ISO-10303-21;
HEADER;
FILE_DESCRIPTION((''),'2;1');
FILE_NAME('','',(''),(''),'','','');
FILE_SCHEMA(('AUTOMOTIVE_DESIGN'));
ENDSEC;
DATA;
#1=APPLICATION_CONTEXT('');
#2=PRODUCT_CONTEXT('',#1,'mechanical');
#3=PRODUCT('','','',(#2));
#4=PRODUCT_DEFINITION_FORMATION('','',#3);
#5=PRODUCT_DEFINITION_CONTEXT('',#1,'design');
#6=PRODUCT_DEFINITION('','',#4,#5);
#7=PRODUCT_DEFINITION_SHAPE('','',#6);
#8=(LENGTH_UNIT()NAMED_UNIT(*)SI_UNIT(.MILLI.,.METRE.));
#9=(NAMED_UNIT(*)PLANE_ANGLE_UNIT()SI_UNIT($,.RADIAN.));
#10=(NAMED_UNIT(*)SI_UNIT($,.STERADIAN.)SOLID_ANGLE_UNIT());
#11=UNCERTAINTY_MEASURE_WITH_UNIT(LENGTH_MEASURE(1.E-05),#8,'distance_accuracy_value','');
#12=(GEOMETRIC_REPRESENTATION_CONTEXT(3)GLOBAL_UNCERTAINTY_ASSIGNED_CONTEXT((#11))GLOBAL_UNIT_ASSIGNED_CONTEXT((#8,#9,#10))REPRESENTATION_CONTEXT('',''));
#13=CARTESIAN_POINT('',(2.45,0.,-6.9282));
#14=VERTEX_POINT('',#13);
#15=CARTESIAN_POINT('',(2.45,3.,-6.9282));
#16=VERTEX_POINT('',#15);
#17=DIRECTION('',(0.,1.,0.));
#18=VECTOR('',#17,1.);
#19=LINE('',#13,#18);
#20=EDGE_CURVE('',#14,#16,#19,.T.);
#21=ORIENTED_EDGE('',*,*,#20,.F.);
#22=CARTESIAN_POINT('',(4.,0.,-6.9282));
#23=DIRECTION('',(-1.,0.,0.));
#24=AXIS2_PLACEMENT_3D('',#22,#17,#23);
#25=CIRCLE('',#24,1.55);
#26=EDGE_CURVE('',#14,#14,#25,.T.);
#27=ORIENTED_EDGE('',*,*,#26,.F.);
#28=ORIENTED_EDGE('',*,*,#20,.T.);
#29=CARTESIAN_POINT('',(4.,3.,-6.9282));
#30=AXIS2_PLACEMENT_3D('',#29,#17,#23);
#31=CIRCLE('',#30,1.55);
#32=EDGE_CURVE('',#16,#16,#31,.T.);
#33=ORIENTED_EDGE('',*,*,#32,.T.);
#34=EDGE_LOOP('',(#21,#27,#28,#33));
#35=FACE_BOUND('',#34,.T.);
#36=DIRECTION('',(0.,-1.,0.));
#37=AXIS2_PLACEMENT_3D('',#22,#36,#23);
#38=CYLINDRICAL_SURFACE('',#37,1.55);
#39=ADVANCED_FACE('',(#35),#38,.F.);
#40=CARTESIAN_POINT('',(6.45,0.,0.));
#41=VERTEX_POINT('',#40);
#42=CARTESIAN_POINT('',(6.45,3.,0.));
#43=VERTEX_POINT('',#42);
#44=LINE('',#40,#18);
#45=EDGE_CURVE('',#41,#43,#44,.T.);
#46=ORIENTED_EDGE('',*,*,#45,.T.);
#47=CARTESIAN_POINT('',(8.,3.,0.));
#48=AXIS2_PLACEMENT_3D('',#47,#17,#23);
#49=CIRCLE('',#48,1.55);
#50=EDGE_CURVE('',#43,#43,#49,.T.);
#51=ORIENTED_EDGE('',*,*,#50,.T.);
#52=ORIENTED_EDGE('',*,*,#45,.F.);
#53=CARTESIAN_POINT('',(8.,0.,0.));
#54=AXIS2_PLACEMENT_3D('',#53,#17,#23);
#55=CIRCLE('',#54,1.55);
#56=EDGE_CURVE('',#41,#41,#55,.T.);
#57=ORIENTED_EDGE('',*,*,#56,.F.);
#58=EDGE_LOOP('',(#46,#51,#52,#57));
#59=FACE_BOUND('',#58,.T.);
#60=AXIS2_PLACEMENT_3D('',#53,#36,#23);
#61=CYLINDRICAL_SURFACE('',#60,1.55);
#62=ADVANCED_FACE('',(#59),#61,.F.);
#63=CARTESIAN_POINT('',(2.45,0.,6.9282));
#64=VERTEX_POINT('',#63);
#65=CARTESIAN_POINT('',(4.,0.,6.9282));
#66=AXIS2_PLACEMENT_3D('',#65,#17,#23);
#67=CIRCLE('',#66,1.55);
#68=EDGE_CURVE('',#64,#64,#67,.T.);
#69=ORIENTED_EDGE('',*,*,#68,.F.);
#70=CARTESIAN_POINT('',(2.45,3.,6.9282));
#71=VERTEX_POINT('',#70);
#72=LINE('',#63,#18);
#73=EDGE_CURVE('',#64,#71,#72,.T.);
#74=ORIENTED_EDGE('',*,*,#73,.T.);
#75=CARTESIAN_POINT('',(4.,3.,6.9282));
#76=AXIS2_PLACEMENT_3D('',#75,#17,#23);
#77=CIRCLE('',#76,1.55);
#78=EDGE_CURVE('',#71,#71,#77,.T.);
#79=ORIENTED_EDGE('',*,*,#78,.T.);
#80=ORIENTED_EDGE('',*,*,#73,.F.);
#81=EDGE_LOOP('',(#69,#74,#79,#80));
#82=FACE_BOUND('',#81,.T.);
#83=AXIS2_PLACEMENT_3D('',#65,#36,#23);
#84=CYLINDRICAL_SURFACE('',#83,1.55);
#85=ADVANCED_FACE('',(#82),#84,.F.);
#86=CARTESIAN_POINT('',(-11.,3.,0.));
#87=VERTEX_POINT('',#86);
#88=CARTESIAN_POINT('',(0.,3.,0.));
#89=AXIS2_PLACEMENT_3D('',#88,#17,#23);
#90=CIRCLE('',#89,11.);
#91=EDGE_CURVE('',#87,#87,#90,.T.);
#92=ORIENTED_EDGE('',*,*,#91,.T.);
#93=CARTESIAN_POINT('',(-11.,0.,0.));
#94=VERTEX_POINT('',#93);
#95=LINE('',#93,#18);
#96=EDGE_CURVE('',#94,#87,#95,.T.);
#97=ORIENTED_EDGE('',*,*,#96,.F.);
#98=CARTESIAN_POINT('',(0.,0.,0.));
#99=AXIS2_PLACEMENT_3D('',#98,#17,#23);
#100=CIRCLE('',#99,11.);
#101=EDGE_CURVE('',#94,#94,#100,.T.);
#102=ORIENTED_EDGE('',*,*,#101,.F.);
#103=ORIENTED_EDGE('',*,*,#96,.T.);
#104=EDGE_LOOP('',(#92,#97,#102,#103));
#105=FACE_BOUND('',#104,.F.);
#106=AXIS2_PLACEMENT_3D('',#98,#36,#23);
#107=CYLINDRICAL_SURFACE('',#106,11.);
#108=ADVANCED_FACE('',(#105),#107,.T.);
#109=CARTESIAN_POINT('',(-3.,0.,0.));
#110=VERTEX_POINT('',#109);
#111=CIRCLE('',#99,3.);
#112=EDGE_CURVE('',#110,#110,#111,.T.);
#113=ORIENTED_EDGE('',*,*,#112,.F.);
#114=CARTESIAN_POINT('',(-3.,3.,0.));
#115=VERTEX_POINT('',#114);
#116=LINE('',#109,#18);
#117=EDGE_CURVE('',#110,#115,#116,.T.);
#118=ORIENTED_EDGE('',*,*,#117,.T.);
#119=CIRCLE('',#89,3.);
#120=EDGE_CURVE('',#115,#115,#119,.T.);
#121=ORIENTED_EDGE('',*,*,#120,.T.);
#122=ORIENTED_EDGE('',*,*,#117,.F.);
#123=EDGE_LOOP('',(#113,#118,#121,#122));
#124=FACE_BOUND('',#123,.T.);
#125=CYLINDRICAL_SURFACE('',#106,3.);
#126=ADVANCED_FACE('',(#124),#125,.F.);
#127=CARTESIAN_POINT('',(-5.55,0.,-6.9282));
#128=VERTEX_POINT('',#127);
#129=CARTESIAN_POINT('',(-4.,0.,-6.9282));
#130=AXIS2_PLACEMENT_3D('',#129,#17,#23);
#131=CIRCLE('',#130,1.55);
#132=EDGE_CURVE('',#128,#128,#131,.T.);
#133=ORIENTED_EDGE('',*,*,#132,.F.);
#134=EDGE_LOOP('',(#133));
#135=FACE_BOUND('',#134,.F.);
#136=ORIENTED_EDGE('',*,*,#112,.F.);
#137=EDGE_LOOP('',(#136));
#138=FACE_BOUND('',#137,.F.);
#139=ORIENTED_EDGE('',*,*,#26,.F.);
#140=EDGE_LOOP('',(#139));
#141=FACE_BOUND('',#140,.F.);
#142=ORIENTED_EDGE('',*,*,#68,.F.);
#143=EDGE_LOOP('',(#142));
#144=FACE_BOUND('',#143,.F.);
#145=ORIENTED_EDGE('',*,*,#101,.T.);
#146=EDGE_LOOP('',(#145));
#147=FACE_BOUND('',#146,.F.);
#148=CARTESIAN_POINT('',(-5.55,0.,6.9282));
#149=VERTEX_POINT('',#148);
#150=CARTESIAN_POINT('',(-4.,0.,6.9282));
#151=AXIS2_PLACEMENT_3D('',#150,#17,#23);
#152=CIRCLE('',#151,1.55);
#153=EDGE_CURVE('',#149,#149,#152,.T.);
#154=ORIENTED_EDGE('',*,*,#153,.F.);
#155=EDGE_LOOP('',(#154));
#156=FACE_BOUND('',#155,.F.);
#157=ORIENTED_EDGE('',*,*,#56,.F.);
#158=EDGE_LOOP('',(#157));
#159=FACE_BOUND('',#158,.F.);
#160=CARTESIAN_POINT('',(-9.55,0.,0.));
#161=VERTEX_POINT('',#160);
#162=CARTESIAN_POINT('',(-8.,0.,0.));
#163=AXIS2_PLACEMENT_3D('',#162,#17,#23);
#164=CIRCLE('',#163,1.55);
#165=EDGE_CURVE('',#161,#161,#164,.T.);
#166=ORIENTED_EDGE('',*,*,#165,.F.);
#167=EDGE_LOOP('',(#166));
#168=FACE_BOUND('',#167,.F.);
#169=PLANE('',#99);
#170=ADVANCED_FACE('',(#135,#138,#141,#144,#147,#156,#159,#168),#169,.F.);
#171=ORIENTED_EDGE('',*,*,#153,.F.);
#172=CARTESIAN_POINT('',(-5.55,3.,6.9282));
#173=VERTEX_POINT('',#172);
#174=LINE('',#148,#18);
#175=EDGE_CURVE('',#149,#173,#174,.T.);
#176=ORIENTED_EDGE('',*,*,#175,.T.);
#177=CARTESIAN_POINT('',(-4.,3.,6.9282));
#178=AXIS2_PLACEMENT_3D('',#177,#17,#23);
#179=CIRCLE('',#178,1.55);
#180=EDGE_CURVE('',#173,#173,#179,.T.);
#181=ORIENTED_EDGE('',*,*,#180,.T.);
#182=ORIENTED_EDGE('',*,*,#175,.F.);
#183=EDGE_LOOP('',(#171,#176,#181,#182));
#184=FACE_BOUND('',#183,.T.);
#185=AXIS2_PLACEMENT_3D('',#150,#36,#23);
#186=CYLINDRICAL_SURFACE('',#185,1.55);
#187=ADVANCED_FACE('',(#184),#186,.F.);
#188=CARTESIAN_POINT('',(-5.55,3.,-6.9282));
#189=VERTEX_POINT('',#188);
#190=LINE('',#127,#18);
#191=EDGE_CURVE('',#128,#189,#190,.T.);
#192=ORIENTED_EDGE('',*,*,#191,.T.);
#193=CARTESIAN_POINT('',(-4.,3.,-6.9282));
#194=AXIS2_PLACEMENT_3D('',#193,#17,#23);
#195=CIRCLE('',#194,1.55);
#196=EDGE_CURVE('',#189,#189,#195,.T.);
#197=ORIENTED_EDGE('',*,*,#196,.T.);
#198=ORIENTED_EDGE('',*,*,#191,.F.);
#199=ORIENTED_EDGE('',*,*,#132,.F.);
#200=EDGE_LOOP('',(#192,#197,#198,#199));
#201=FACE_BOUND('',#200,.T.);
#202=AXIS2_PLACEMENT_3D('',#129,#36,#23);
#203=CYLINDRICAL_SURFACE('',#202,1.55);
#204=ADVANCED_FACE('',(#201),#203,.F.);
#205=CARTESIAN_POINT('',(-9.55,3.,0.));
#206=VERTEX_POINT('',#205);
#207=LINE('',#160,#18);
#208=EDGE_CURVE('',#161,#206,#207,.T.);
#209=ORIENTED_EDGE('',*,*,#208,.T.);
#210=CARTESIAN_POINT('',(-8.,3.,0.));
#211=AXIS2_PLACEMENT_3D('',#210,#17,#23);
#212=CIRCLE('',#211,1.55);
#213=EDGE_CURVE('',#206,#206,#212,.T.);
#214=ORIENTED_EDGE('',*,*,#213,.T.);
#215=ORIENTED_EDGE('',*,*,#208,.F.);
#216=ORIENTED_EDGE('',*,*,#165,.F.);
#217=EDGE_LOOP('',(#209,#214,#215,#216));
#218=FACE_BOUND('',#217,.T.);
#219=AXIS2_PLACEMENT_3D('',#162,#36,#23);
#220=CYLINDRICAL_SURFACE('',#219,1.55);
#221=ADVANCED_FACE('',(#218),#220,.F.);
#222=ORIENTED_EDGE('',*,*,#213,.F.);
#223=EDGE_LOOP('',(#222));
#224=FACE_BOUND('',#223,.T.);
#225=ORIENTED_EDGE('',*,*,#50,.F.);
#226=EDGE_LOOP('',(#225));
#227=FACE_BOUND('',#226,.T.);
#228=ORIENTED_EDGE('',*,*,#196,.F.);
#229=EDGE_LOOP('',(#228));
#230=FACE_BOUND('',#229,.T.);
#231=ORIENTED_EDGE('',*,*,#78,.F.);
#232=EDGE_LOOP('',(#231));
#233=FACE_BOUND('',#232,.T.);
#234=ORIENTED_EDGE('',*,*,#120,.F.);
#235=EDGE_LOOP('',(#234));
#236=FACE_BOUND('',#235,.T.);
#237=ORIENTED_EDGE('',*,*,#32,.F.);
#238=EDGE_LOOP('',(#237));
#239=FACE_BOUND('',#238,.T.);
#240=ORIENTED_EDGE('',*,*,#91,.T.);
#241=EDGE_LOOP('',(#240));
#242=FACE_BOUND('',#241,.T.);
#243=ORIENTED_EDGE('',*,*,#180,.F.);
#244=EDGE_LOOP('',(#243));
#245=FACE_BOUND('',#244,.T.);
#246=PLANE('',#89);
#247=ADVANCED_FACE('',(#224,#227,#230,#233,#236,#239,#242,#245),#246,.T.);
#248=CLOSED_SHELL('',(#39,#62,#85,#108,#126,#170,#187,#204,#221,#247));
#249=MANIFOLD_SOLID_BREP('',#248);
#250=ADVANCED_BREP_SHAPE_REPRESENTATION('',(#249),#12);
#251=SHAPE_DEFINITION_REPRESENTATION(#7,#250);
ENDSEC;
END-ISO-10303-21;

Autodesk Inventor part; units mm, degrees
ref_plane "YZ Plane" through (0, 0, 0) normal (1, 0, 0) x (0, 1, 0)
ref_plane "XZ Plane" through (0, 0, 0) normal (0, 1, 0) x (-1, 0, 0)
ref_plane "XY Plane" through (0, 0, 0) normal (0, 0, 1) x (1, 0, 0)
sketch "Sketch1" plane through (0, 0, 0) normal (0, 1, 0) x (-1, 0, 0)
  circle A0 centre (0, 0) radius 11
  circle A1 centre (0, 0) radius 8 construction
  circle A2 centre (8, 0) radius 1.55
  line L0 (0, 0) -> (8, 0) construction
  circle A3 centre (4, 6.9282) radius 1.55
  circle A4 centre (-4, 6.9282) radius 1.55
  circle A5 centre (-8, 0) radius 1.55
  circle A6 centre (-4, -6.9282) radius 1.55
  circle A7 centre (4, -6.9282) radius 1.55
  circle A8 centre (0, 0) radius 3
  dimension "d1" = 16
  dimension "d0" = 22
  dimension "d2" = 3.1
  dimension "d5" = 360
  dimension "d9" = 6
extrude "Extrusion1" add sketch "Sketch1" along normal blind 3
properties part number "FlywheelSpacer" material "PC/ABS Plastic"
